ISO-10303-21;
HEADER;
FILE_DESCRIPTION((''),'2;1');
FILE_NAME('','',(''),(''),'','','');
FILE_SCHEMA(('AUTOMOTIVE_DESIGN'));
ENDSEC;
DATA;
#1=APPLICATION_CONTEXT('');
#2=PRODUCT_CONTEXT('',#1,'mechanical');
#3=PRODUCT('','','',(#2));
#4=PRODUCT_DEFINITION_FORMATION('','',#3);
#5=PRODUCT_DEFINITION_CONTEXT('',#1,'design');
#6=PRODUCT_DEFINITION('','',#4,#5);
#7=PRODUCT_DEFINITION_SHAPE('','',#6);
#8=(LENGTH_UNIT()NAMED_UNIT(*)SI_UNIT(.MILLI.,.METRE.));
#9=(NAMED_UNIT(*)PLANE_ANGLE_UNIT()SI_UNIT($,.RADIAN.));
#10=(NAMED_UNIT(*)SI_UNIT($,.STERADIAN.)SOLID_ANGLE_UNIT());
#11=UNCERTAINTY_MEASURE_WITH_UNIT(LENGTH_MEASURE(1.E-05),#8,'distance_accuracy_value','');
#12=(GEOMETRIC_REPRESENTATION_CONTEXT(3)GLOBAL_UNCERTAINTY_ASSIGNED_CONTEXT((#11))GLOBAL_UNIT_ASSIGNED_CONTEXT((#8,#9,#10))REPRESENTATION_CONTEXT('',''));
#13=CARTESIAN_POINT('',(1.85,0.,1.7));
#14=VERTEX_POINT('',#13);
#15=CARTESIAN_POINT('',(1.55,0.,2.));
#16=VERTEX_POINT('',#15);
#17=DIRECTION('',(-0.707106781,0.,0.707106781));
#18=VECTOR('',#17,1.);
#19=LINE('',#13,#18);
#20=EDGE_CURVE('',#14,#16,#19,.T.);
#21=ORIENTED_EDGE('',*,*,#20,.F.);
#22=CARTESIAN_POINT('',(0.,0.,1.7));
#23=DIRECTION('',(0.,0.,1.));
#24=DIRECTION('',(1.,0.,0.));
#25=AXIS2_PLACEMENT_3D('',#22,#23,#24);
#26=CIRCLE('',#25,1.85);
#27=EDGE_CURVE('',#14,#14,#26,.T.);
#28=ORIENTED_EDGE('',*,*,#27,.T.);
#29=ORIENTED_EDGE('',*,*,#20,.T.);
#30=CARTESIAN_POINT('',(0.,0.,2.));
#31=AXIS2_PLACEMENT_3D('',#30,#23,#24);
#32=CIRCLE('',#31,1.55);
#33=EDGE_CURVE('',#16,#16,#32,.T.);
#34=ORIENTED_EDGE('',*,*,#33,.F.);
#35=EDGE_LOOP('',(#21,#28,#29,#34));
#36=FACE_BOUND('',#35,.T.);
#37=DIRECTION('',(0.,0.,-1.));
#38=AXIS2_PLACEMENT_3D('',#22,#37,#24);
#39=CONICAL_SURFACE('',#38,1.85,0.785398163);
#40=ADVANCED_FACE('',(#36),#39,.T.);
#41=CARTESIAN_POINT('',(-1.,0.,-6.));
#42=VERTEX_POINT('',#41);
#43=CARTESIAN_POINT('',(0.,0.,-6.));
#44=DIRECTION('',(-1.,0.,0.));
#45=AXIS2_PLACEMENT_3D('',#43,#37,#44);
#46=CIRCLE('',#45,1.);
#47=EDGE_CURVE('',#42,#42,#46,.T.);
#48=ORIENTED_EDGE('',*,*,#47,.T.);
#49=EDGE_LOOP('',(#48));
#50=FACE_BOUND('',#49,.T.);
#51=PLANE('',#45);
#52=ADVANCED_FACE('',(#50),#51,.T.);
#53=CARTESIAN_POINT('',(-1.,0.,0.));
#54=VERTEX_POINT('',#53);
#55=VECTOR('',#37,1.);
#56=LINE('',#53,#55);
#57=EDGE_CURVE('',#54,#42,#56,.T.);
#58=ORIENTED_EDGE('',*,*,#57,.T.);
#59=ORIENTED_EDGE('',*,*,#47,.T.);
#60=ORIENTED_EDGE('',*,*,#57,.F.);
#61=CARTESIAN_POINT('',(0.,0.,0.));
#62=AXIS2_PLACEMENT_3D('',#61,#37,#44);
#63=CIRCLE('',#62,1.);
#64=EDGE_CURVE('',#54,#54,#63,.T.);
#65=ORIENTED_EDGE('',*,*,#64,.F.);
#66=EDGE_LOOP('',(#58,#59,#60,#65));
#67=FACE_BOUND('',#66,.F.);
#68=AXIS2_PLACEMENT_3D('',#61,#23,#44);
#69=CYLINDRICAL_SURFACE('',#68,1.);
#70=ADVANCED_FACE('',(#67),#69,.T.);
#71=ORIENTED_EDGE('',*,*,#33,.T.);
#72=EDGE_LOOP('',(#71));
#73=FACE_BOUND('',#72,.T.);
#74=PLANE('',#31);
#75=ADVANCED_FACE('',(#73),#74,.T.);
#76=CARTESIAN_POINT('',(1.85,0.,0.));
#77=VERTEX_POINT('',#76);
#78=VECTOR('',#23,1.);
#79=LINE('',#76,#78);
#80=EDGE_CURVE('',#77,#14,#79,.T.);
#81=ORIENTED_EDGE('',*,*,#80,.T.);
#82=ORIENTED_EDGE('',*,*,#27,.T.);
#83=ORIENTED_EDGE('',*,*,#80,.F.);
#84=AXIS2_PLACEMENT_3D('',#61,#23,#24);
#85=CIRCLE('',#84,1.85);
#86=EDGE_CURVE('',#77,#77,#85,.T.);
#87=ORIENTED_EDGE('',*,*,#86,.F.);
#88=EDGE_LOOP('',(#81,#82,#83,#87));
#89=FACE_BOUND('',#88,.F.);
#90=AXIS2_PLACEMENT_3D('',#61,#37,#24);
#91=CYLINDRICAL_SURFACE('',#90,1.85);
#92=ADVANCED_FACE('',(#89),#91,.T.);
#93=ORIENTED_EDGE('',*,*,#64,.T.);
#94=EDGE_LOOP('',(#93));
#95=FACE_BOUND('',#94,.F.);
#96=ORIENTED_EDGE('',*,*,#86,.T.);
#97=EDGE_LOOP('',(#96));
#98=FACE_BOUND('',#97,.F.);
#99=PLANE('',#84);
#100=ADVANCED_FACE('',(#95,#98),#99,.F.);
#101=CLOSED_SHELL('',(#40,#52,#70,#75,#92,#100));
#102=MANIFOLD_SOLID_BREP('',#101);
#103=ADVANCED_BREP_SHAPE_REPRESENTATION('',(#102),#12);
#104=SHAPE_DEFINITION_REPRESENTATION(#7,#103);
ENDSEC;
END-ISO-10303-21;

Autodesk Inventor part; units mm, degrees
ref_plane "YZ Plane" through (0, 0, 0) normal (1, 0, 0) x (0, 1, 0)
ref_plane "XZ Plane" through (0, 0, 0) normal (0, 1, 0) x (-1, 0, 0)
ref_plane "XY Plane" through (0, 0, 0) normal (0, 0, 1) x (1, 0, 0)
sketch "スケッチ1" plane through (0, 0, 0) normal (0, 0, 1) x (1, 0, 0)
  circle A0 centre (0, 0) radius 1.85
  dimension "d0" = 3.7
extrude "押し出し1" add sketch "スケッチ1" along normal blind 2
sketch "スケッチ2" plane through (0, 0, 0) normal (0, 0, -1) x (-1, 0, 0)
  circle A0 centre (0, 0) radius 1
  dimension "d3" = 2
extrude "押し出し2" add sketch "スケッチ2" along normal blind 6
thread "ねじ1" size "M2x0.4" class "6g" standard "ANSI Metric M Profile" full length
chamfer "面取り1" distance 0.3 angle 45 1 edges at (-1.85, 0, 2)
properties part number "M2×6" material "ステンレス鋼"
